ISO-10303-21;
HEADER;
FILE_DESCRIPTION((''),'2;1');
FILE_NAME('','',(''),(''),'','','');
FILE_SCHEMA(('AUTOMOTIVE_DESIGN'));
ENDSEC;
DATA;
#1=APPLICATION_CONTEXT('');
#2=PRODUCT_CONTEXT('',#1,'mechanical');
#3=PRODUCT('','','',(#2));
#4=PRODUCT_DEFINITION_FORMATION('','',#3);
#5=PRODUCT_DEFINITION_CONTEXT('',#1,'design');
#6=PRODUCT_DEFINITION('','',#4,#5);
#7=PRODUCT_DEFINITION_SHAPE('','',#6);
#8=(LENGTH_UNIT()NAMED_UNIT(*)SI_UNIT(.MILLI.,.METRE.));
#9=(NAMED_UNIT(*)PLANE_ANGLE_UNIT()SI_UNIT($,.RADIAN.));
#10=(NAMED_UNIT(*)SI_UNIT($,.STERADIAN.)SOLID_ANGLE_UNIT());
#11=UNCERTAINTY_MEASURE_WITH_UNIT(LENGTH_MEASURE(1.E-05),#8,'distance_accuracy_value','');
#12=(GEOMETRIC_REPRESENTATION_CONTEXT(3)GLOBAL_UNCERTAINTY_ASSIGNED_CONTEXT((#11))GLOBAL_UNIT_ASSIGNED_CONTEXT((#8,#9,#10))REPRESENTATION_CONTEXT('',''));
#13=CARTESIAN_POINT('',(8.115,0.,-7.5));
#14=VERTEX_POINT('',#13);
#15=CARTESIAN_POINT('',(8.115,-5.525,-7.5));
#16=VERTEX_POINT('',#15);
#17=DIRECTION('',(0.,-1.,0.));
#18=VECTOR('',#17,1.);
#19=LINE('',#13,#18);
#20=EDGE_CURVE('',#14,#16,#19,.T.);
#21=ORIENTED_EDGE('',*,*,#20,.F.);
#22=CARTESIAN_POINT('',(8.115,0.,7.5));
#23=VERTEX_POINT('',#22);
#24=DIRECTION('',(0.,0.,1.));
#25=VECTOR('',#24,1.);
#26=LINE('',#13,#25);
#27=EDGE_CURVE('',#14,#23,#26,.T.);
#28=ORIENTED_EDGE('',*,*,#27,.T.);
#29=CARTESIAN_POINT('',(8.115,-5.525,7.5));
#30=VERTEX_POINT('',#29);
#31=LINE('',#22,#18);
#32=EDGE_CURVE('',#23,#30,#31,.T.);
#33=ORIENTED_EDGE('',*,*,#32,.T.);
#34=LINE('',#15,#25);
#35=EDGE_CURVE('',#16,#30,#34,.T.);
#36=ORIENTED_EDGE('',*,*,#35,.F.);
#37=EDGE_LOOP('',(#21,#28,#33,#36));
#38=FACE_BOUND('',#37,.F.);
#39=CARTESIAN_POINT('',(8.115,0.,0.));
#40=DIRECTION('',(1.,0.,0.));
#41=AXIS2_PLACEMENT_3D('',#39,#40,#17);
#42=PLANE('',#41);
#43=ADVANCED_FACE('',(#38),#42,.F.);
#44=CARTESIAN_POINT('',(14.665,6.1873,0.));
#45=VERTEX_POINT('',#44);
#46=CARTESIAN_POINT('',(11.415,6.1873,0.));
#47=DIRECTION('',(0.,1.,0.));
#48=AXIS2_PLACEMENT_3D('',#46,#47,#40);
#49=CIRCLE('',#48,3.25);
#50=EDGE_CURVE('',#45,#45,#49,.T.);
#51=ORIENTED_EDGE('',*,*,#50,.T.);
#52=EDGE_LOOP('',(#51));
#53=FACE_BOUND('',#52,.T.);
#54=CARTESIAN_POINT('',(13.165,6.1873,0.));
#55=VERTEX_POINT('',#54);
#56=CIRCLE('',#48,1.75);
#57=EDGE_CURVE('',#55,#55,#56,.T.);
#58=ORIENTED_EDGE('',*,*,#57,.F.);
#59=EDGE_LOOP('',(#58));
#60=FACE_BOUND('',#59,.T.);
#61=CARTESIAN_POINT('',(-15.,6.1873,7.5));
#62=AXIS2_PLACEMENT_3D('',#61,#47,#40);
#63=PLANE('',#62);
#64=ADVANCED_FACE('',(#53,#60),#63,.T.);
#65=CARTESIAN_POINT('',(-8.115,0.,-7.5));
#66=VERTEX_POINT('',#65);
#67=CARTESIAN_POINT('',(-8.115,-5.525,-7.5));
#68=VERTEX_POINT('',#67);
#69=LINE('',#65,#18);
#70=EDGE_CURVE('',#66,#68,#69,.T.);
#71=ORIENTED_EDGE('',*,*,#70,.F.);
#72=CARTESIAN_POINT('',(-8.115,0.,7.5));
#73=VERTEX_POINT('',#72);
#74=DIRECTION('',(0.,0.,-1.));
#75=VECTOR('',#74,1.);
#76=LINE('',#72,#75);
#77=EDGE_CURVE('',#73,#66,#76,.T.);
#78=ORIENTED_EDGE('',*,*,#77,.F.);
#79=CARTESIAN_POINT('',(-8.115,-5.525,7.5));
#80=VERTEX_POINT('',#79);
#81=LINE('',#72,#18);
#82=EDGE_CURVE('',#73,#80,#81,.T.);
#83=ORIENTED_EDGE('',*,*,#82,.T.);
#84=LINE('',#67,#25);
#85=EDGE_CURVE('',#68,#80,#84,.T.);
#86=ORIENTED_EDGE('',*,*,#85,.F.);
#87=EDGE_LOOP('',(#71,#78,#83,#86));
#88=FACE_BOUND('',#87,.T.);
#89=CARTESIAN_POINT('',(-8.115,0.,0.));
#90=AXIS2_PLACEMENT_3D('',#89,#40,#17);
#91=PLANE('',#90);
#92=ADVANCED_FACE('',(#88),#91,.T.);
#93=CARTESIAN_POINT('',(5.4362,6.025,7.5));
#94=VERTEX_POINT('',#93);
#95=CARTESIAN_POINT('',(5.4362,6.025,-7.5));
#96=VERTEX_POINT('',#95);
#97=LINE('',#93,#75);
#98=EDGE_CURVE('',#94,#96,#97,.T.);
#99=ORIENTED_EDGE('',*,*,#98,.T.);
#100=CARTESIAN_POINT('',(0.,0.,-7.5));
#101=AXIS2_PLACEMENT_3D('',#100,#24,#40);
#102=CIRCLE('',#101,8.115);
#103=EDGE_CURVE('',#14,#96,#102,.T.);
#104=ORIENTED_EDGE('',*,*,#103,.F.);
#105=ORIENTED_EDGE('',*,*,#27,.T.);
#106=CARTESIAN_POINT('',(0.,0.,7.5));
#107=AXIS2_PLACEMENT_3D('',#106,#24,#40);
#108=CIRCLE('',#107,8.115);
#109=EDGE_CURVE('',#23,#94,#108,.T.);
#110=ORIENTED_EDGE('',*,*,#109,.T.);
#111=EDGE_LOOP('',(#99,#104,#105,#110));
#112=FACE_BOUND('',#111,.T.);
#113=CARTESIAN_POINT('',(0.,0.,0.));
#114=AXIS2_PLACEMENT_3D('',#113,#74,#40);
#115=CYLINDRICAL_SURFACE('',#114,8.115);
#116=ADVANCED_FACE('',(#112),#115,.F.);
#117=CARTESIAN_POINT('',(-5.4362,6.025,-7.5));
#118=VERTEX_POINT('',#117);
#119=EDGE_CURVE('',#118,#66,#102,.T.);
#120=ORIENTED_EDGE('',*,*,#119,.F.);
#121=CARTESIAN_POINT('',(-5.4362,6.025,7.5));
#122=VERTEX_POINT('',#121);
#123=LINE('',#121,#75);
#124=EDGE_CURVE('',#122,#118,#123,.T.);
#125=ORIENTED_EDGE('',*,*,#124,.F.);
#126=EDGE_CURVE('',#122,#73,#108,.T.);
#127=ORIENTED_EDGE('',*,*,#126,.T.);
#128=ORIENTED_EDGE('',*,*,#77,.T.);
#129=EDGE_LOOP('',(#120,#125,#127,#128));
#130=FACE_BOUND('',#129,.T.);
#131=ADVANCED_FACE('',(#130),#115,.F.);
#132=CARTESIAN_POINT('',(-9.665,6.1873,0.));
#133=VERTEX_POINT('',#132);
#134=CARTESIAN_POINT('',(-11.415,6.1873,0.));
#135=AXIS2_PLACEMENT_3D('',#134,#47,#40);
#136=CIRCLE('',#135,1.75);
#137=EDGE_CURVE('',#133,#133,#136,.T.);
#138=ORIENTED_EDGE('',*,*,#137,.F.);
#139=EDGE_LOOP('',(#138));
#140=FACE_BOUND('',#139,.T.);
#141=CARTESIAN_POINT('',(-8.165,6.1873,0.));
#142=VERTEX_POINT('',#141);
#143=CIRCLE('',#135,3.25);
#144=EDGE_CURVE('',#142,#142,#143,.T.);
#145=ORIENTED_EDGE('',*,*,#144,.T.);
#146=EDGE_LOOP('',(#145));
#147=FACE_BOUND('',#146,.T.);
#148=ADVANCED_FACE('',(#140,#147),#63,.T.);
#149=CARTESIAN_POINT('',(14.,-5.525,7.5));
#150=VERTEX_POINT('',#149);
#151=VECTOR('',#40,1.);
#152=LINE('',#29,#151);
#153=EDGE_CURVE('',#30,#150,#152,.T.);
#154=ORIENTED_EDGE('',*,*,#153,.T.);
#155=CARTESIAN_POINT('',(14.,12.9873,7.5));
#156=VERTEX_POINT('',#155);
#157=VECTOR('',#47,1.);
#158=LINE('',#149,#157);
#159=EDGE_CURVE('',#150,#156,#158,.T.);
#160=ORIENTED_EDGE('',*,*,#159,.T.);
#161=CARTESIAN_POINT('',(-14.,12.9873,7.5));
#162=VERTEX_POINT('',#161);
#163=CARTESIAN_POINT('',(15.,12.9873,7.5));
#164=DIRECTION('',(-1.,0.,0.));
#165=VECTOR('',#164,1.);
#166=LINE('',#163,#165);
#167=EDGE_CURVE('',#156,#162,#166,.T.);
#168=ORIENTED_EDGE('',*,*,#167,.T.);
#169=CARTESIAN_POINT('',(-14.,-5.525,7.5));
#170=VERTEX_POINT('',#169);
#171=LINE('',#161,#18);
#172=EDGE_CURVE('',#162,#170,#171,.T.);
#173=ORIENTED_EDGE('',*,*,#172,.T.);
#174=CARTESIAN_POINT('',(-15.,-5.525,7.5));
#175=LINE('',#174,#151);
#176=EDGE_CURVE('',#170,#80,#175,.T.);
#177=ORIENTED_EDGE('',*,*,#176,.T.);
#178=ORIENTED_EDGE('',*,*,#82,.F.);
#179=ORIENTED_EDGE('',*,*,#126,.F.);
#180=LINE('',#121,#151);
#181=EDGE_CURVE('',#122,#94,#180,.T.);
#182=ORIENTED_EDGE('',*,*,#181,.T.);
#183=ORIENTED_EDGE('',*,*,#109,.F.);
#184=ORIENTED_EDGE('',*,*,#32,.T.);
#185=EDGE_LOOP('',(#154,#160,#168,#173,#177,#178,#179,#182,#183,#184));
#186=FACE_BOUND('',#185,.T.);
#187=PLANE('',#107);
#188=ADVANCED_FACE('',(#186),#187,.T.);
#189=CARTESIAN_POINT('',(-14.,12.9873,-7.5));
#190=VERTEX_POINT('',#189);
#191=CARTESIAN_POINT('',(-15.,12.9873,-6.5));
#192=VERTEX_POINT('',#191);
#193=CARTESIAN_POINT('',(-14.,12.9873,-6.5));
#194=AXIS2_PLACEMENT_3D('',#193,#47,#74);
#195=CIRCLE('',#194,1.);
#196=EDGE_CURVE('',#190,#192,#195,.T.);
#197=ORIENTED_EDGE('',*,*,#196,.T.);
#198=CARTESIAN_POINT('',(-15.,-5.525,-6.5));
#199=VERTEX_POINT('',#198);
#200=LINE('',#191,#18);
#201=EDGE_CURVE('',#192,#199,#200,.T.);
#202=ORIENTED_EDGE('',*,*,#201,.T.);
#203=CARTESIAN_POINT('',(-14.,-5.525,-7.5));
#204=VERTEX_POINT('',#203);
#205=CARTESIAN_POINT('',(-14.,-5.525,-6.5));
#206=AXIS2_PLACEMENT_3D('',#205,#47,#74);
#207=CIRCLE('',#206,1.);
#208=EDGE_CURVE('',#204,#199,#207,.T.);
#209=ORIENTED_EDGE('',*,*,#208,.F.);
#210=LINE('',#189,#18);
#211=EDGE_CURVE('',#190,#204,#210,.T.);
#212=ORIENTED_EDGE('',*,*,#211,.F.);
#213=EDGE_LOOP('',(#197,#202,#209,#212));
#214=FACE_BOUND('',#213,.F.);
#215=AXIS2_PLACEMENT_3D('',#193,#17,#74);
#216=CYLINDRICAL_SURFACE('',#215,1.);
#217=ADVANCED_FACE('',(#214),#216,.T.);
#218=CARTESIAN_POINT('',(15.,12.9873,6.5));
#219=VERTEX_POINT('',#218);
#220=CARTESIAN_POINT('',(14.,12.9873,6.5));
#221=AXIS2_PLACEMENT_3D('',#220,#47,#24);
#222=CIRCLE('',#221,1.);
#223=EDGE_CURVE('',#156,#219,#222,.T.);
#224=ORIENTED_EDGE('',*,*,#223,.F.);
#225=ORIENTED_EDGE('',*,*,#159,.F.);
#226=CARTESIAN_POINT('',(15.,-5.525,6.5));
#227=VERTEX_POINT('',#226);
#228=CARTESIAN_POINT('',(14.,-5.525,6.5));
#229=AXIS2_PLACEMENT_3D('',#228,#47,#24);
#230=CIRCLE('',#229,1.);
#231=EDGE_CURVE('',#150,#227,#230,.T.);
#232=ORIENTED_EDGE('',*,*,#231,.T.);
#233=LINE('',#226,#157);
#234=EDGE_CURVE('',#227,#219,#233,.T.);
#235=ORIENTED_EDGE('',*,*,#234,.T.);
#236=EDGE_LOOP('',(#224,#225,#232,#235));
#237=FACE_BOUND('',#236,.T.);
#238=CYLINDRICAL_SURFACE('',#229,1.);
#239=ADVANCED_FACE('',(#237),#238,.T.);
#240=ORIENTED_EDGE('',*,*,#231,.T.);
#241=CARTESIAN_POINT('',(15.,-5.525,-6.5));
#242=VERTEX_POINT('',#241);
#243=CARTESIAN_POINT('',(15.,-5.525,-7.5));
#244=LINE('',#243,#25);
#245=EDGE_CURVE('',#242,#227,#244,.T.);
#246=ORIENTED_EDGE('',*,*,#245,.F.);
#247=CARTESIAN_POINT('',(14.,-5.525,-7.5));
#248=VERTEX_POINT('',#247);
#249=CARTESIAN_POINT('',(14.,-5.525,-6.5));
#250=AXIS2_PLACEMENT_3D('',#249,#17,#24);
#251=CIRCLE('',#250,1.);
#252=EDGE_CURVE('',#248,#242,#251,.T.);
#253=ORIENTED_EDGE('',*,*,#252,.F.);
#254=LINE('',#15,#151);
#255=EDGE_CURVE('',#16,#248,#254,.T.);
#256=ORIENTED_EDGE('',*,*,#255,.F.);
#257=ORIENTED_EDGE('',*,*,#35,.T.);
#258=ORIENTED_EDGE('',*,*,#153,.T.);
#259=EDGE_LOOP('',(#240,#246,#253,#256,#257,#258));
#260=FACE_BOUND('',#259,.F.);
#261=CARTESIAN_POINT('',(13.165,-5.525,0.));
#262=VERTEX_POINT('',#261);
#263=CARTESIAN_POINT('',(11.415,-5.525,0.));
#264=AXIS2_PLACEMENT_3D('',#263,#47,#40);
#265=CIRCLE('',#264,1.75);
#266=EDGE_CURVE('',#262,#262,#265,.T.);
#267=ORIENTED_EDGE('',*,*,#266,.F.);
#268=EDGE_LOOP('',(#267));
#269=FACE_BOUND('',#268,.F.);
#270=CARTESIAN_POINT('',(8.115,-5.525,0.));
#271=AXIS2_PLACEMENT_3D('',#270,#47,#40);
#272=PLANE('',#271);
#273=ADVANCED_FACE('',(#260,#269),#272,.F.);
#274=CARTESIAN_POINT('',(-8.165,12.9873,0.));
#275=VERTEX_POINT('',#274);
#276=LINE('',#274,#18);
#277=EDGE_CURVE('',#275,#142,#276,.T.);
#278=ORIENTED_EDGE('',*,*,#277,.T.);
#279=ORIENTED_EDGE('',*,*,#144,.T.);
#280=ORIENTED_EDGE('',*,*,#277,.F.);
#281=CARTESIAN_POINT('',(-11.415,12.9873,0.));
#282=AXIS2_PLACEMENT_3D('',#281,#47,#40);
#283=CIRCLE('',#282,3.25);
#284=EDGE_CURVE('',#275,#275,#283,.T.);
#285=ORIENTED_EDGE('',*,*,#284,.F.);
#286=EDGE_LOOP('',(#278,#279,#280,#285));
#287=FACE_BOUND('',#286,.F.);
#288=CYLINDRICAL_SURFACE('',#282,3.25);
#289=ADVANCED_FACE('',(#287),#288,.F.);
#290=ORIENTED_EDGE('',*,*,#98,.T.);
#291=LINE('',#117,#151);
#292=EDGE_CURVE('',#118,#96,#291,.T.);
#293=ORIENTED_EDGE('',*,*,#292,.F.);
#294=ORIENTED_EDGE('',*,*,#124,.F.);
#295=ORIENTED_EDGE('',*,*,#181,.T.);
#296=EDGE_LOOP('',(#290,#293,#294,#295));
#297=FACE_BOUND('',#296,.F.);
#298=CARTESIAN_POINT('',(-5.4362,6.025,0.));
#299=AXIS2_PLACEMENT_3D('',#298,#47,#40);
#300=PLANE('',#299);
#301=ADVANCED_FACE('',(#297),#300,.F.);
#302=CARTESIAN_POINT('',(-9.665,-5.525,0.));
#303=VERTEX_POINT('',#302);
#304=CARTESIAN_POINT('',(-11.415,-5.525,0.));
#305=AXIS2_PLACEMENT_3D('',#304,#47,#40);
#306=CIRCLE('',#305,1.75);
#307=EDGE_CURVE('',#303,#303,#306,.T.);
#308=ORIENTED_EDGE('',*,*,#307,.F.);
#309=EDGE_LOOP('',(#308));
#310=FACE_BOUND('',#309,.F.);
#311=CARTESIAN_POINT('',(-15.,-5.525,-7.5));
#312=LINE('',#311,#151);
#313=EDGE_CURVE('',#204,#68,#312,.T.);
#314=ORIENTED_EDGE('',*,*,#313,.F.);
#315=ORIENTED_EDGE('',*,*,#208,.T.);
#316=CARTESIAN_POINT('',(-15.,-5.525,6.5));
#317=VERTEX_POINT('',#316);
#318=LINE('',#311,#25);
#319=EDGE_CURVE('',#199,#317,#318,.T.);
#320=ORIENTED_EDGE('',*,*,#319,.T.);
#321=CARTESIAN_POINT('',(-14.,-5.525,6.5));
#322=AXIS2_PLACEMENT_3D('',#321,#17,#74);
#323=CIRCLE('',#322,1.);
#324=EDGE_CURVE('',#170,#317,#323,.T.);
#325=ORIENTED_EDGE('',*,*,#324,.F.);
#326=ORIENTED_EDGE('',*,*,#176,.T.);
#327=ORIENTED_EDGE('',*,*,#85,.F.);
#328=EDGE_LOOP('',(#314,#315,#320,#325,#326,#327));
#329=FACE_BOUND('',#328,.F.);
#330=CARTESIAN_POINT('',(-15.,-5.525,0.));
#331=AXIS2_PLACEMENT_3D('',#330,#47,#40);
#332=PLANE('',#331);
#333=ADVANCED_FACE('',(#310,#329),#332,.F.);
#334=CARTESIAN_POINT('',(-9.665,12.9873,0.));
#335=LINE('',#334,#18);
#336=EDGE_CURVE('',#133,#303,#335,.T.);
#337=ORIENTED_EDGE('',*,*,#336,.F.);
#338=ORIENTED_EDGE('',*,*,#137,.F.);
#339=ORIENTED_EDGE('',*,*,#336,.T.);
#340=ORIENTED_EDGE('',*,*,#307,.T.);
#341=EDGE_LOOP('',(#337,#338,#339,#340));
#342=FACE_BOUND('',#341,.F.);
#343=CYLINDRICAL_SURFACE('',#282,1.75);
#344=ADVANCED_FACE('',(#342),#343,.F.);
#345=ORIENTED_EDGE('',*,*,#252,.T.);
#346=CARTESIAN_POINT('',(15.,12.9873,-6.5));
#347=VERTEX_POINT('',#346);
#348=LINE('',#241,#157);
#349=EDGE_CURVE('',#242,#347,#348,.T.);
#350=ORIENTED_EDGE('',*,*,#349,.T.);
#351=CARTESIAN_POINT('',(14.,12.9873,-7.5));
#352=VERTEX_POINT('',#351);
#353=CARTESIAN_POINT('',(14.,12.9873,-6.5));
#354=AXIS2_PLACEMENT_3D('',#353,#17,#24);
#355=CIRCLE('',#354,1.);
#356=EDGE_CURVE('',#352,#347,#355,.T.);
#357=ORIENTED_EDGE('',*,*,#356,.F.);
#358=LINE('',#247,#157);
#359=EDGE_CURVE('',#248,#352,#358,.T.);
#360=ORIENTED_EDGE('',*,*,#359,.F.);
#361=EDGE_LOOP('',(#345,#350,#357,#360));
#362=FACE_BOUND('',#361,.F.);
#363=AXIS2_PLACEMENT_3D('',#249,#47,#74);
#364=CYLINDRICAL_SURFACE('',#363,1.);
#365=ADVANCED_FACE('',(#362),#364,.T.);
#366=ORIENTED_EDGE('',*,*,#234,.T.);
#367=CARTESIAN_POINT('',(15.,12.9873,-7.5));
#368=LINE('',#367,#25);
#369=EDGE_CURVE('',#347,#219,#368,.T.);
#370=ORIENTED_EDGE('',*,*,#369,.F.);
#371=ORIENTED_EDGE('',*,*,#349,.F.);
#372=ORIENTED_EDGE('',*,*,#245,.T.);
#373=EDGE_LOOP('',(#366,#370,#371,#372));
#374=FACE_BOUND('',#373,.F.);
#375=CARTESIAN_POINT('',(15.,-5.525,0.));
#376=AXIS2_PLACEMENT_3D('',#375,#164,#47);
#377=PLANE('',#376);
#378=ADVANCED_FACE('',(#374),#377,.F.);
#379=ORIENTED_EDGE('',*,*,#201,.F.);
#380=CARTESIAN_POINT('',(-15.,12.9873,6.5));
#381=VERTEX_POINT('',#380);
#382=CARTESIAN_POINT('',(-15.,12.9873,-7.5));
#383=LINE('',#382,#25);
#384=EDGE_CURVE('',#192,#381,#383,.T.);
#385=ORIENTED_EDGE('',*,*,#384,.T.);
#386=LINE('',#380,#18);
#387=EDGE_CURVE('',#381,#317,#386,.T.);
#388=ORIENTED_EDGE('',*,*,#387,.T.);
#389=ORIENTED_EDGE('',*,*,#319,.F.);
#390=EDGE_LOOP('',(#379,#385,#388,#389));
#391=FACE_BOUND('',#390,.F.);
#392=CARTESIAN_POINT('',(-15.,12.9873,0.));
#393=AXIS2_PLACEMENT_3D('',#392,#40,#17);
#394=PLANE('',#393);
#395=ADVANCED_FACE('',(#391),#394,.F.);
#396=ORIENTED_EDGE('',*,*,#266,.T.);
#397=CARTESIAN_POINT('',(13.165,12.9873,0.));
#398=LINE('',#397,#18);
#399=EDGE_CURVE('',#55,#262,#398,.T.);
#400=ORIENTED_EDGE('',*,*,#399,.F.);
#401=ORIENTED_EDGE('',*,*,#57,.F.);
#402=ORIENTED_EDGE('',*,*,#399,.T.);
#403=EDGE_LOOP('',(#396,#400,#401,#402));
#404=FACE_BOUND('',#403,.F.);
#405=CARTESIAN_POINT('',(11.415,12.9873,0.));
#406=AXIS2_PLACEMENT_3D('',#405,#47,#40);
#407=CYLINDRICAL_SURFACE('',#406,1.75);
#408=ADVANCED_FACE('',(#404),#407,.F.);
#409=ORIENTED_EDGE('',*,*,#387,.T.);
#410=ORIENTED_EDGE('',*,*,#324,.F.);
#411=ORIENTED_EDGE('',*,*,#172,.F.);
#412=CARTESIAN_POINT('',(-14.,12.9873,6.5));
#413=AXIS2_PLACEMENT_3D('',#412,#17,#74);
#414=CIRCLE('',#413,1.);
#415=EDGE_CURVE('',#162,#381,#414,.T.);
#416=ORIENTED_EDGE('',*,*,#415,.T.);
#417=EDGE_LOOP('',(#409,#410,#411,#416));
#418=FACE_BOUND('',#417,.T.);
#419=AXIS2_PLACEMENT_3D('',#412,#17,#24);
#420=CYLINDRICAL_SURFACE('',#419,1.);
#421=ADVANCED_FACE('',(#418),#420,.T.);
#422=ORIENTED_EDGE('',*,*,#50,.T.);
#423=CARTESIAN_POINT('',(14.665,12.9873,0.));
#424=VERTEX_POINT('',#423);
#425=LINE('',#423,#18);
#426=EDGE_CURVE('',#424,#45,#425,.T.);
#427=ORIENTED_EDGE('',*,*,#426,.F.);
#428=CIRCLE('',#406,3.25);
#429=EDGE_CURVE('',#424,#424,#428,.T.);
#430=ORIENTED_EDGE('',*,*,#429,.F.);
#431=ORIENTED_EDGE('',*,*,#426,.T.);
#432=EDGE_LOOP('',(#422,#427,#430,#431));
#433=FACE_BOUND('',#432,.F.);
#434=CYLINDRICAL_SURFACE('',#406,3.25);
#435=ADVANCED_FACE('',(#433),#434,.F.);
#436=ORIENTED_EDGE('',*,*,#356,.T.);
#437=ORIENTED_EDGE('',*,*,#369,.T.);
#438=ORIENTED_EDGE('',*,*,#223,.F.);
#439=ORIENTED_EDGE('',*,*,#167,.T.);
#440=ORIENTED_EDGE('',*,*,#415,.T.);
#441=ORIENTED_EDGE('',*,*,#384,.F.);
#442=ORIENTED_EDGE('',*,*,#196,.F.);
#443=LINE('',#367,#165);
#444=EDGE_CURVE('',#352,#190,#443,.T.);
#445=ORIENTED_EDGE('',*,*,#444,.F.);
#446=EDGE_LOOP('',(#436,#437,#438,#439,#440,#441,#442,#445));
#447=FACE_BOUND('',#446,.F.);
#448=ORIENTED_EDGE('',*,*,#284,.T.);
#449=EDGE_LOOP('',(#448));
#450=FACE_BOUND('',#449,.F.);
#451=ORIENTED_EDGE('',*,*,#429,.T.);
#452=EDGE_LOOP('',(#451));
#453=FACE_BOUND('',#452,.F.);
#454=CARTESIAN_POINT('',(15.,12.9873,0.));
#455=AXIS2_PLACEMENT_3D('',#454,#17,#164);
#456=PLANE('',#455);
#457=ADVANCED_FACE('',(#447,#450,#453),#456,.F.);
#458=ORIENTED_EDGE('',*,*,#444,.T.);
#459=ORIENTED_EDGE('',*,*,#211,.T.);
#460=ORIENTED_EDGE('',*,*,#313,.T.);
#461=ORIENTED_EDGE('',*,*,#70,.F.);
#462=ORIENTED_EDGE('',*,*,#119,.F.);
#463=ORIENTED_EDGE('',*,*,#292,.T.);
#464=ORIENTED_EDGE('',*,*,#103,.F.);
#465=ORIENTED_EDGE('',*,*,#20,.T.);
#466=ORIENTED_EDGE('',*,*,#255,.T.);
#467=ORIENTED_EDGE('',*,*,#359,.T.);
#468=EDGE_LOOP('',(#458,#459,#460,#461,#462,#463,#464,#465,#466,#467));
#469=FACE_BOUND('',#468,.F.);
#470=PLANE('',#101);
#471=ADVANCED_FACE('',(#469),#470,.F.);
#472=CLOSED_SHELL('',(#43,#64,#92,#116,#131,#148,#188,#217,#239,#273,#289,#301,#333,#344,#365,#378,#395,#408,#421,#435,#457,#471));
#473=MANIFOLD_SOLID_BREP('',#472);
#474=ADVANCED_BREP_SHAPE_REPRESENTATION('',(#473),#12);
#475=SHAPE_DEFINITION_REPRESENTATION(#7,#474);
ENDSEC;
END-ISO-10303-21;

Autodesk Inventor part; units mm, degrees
ref_plane "YZ Plane" through (0, 0, 0) normal (1, 0, 0) x (0, 1, 0)
ref_plane "XZ Plane" through (0, 0, 0) normal (0, 1, 0) x (-1, 0, 0)
ref_plane "XY Plane" through (0, 0, 0) normal (0, 0, 1) x (1, 0, 0)
sketch "Mount Shape Sketch" plane through (0, 0, 0) normal (0, 0, 1) x (1, 0, 0)
  circle A0 centre (0, 0) radius 8.115
  line L0 (-5.4362, 6.025) -> (5.4362, 6.025)
  line L1 (-5.4362, -6.025) -> (5.4362, -6.025)
  line L2 (-8.115, 0) -> (-8.115, -5.525)
  line L3 (8.115, 0) -> (8.115, -5.525)
  line L4 (8.115, -5.525) -> (15, -5.525)
  line L5 (15, -5.525) -> (15, 12.9873)
  line L6 (15, 12.9873) -> (-15, 12.9873)
  line L7 (-15, 12.9873) -> (-15, -5.525)
  line L8 (-15, -5.525) -> (-8.115, -5.525)
  line L9 (0, 17.2077) -> (0, -12.3355) construction
  dimension "d0" = 16.23
  dimension "d1" = 12.05
  dimension "d3" = 30
  dimension "d15" = 12.9873
  dimension "d18" = 0.5
extrude "Mount Shape" add sketch "Mount Shape Sketch" along normal mid plane 15 contours A0 L2 L8 L7 L6 L5 L4 L3 | L0 A0
sketch "Sketch2" plane through (-15, 12.9873, 7.5) normal (0, 1, 0) x (1, 0, 0)
  circle A0 centre (3.585, 7.5) radius 1.75
  line L0 (20.4362, 15) -> (9.5638, 15) construction
  line L1 (15, 15) -> (15, 0) construction
  line L2 (30, 0) -> (0, 0) construction
  line L3 (15, 7.5) -> (3.585, 7.5) construction
  circle A1 centre (26.415, 7.5) radius 1.75
  dimension "d6" = 3.5
  dimension "d7" = 11.415
  dimension "d14" = 22.83
extrude "Screw Shaft Holes" cut sketch "Sketch2" against normal through all
sketch "Sketch3" plane through (-15, 12.9873, 7.5) normal (0, 1, 0) x (1, 0, 0)
  circle A0 centre (3.585, 7.5) radius 1.75 projected
  circle A1 centre (3.585, 7.5) radius 3.25
  circle A2 centre (26.415, 7.5) radius 3.25
  circle A3 centre (26.415, 7.5) radius 1.75 projected
  point P0 (15, 7.5)
  dimension "d10" = 6.5
extrude "Screw Head Holes" cut sketch "Sketch3" against normal blind 6.8 contours A0 | A1 | A2 | A3
fillet "Outer Fillet" radius 1 4 edges at (15, 3.7311, -7.5) (15, 3.7311, 7.5) (-15, 3.7311, 7.5) (-15, 3.7311, -7.5)
properties part number "Large Drive Motors Mount Cap"
